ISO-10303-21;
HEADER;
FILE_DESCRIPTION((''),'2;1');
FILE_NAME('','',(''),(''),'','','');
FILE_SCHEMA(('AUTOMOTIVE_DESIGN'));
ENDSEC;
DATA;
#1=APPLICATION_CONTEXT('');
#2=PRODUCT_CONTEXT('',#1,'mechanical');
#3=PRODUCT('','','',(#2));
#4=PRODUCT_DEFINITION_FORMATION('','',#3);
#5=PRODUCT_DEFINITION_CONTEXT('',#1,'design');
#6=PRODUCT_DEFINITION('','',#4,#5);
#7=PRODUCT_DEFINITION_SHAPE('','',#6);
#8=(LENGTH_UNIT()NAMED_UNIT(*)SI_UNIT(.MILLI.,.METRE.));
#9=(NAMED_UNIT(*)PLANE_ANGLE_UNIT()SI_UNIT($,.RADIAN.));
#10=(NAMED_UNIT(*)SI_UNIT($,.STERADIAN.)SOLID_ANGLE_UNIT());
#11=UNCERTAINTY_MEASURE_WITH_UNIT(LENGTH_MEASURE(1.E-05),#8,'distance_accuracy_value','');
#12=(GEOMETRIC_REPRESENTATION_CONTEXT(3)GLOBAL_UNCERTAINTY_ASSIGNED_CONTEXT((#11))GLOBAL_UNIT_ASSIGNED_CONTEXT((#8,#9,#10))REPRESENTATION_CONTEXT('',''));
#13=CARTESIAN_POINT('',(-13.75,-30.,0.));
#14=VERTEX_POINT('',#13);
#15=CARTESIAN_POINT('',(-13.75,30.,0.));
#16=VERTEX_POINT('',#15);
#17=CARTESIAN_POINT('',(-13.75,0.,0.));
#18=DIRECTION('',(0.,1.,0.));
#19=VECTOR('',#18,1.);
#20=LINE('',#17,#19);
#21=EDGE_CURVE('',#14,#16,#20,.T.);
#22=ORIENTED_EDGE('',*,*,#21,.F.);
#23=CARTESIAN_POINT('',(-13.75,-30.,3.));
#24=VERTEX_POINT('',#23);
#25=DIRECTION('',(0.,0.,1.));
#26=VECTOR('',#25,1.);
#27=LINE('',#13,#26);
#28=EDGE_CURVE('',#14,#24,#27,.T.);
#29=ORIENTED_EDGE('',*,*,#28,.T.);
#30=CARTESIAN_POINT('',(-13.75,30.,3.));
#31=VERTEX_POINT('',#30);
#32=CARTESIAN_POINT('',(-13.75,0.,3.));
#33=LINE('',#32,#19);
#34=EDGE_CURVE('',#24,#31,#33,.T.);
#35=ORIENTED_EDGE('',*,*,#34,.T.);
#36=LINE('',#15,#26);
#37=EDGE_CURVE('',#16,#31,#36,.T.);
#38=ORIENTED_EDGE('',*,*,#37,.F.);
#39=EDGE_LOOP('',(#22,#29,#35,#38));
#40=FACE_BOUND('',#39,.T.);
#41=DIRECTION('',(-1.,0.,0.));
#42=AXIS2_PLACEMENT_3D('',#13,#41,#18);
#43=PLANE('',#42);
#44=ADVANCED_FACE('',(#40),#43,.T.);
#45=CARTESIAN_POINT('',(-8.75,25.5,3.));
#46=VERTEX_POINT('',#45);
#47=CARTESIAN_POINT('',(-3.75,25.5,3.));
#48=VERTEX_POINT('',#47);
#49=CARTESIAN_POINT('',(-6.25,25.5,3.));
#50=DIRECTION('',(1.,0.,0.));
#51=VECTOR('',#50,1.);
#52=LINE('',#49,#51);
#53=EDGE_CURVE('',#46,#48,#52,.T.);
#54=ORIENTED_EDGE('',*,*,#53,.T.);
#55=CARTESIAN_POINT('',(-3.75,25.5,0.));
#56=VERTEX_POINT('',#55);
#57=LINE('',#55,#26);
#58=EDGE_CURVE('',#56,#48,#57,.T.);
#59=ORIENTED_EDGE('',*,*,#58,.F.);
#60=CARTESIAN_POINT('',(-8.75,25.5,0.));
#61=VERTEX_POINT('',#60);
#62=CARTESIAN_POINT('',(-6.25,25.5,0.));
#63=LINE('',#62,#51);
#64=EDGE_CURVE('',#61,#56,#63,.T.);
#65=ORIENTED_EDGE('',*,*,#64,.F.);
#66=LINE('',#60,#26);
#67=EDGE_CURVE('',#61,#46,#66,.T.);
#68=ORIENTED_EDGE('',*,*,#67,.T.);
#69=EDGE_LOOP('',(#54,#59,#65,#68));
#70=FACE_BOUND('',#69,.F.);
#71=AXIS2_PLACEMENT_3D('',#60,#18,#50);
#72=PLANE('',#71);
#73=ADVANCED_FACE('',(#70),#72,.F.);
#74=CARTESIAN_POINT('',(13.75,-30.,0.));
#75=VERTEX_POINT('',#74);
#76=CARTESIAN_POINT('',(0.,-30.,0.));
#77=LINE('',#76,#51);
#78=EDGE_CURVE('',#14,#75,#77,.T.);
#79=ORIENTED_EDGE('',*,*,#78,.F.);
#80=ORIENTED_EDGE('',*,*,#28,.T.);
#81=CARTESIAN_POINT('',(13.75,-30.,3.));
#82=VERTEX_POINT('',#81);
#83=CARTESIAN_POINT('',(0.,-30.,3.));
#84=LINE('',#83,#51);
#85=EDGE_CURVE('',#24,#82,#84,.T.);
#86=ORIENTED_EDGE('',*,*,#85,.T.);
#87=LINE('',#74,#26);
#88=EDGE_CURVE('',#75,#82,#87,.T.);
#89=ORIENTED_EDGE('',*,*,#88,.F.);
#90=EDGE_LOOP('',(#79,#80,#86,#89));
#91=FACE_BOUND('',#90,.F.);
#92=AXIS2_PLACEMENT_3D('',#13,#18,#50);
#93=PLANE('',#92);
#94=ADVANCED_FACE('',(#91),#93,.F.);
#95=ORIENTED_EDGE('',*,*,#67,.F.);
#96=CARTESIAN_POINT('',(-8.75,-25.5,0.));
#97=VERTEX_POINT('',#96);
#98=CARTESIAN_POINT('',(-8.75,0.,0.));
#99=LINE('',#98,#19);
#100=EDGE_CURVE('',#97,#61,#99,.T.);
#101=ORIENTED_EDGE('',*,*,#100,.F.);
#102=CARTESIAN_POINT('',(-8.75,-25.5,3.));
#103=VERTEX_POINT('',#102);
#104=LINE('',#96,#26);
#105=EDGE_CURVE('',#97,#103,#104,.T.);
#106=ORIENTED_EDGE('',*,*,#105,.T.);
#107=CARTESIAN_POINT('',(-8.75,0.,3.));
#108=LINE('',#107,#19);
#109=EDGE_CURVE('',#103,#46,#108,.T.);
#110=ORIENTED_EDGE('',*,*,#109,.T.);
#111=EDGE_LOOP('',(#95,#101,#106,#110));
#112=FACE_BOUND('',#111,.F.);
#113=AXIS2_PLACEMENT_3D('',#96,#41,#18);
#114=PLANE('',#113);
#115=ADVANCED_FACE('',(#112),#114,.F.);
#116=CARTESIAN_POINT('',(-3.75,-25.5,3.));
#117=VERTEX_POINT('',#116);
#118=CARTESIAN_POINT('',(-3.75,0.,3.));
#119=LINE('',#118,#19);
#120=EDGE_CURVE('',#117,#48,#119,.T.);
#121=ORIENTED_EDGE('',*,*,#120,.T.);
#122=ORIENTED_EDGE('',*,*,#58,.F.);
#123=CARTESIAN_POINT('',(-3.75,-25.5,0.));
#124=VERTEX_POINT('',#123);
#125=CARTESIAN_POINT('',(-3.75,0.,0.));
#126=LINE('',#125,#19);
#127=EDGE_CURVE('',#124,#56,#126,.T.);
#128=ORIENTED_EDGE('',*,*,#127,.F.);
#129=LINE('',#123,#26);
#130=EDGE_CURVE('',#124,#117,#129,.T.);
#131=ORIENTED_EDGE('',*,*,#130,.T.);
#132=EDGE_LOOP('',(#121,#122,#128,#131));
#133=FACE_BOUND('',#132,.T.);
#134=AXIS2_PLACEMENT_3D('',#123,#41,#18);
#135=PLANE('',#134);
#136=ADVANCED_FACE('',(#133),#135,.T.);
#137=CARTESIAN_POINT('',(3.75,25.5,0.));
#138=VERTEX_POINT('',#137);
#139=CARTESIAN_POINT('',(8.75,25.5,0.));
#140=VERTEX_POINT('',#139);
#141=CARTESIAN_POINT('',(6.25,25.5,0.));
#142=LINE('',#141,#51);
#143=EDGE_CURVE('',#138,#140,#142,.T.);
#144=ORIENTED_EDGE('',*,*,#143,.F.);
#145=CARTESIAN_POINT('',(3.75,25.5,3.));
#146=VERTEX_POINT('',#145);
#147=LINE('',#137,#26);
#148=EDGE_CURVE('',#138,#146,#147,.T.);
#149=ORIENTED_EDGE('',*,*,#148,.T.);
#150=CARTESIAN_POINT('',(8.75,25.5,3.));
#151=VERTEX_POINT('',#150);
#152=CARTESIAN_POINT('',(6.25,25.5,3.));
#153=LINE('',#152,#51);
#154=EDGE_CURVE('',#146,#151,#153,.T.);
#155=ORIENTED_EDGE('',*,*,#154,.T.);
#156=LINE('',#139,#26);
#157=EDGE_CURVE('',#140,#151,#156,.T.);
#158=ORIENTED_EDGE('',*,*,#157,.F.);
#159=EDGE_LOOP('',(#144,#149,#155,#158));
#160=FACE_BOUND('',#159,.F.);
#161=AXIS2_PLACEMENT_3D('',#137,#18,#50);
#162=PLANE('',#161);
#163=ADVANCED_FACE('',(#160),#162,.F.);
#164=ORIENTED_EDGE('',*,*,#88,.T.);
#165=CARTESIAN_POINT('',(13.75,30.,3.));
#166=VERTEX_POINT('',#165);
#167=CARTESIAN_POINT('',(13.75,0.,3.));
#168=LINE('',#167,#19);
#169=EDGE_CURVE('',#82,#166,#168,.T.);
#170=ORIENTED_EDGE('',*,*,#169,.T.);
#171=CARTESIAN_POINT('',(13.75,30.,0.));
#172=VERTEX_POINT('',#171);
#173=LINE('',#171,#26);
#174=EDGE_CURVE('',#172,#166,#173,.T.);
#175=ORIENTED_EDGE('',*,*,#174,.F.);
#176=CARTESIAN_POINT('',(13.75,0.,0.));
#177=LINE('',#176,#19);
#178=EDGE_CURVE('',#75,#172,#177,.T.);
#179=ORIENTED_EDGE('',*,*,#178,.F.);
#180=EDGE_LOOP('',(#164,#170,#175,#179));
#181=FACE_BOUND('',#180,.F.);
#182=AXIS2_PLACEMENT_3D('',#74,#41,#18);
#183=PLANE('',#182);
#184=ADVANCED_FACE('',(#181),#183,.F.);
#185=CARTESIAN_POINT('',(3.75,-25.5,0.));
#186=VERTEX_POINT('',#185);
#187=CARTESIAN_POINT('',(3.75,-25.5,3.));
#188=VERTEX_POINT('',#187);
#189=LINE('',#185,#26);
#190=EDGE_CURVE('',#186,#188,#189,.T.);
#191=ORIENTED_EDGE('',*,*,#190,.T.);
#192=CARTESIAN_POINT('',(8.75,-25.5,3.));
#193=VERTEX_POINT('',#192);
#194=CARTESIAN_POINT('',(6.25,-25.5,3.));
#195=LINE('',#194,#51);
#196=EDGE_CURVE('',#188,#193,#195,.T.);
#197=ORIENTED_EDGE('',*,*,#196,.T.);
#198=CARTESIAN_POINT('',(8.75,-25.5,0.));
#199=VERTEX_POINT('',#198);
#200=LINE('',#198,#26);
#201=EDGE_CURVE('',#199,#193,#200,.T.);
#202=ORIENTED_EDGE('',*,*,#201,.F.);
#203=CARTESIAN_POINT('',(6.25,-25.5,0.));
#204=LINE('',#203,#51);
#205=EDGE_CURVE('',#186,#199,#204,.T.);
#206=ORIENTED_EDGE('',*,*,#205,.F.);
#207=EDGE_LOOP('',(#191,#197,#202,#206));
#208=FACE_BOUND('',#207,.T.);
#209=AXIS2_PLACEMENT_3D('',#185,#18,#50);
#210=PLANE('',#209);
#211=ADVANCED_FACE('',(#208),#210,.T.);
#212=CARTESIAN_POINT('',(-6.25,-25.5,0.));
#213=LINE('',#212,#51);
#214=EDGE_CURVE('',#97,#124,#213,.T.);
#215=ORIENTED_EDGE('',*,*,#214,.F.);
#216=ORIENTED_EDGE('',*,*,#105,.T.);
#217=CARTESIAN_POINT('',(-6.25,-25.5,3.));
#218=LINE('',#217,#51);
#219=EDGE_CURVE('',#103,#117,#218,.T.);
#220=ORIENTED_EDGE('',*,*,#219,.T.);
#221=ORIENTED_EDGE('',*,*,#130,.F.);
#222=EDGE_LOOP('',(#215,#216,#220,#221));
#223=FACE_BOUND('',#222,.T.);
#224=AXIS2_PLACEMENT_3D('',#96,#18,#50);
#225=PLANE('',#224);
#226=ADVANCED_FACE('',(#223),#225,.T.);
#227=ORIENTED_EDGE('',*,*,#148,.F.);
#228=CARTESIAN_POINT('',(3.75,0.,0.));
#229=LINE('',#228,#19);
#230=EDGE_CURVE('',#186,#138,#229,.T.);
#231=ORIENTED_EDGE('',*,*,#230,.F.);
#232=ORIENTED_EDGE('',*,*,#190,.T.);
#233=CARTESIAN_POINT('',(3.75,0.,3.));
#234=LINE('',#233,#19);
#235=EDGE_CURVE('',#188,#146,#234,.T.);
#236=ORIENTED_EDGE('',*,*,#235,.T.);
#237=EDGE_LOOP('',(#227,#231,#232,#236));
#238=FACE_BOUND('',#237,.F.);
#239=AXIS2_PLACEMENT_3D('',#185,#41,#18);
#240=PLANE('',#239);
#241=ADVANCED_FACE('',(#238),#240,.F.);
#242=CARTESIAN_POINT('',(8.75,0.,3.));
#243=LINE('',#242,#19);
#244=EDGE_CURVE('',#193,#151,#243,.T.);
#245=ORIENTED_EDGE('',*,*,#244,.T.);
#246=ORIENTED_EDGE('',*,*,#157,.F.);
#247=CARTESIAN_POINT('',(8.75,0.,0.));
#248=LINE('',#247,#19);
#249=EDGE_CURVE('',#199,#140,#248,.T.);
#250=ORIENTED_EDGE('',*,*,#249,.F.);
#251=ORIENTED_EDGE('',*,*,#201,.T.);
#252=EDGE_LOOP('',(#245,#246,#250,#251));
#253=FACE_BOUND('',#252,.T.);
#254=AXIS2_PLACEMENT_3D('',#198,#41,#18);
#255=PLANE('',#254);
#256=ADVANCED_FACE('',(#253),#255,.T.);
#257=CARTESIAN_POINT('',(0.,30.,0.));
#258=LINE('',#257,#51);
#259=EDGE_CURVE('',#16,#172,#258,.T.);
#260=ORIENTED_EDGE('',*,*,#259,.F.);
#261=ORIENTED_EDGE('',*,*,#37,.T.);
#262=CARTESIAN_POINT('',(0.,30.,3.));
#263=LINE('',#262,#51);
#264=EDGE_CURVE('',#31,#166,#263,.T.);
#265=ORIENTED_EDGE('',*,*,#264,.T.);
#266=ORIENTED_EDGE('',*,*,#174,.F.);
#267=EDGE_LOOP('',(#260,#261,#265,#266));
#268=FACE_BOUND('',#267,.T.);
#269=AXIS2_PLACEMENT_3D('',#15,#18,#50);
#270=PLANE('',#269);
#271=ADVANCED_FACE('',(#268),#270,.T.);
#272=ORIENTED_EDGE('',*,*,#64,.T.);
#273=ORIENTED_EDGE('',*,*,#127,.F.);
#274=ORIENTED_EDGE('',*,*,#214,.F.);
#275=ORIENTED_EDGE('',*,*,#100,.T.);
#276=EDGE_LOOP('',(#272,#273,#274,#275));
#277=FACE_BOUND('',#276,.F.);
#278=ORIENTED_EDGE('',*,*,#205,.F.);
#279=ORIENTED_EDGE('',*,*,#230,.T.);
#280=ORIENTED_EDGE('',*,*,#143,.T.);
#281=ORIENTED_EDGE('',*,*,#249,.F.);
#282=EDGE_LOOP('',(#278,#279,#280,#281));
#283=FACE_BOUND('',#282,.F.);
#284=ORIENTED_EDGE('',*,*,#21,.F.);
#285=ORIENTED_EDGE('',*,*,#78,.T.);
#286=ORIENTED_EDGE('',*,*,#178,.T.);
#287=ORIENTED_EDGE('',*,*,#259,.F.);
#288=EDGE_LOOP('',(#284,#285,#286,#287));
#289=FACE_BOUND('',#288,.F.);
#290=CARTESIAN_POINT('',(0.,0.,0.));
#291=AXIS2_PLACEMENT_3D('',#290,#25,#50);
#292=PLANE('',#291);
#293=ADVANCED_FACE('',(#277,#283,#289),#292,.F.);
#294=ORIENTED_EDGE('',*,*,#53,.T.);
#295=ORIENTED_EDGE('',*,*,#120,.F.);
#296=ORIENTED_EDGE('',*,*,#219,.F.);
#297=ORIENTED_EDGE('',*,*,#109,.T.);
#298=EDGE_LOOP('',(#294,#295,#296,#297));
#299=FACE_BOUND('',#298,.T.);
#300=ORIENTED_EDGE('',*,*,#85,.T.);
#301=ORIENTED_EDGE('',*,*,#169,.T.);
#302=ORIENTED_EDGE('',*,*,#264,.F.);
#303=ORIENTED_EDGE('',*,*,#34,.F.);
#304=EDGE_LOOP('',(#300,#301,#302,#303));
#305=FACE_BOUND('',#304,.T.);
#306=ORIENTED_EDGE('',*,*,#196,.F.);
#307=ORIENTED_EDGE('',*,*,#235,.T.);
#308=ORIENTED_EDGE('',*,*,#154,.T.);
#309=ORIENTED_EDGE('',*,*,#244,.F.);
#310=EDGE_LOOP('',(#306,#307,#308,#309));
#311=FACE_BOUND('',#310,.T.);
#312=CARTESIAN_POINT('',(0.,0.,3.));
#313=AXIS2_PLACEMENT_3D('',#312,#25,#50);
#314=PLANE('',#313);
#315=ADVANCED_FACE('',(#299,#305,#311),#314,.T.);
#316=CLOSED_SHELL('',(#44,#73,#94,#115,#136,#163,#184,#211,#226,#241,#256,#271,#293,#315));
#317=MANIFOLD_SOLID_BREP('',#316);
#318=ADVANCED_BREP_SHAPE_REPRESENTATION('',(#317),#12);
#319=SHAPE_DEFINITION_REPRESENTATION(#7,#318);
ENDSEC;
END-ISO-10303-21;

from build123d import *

# Parameters (mm, degrees)
SKETCH_W   = 27.5
SKETCH_H   = 60
SKETCH_W_2 = 5
SKETCH_H_2 = 51
PAD_DEPTH  = 3


with BuildPart() as part:
    # Sketch → Pad (new body)
    with BuildSketch(Plane.XY):
        Rectangle(SKETCH_W, SKETCH_H)
        with Locations((-6.25, 0)):
            Rectangle(SKETCH_W_2, SKETCH_H_2, mode=Mode.SUBTRACT)
        with Locations((6.25, 0)):
            Rectangle(SKETCH_W_2, SKETCH_H_2, mode=Mode.SUBTRACT)
    extrude(amount=PAD_DEPTH)


solid = part.part
